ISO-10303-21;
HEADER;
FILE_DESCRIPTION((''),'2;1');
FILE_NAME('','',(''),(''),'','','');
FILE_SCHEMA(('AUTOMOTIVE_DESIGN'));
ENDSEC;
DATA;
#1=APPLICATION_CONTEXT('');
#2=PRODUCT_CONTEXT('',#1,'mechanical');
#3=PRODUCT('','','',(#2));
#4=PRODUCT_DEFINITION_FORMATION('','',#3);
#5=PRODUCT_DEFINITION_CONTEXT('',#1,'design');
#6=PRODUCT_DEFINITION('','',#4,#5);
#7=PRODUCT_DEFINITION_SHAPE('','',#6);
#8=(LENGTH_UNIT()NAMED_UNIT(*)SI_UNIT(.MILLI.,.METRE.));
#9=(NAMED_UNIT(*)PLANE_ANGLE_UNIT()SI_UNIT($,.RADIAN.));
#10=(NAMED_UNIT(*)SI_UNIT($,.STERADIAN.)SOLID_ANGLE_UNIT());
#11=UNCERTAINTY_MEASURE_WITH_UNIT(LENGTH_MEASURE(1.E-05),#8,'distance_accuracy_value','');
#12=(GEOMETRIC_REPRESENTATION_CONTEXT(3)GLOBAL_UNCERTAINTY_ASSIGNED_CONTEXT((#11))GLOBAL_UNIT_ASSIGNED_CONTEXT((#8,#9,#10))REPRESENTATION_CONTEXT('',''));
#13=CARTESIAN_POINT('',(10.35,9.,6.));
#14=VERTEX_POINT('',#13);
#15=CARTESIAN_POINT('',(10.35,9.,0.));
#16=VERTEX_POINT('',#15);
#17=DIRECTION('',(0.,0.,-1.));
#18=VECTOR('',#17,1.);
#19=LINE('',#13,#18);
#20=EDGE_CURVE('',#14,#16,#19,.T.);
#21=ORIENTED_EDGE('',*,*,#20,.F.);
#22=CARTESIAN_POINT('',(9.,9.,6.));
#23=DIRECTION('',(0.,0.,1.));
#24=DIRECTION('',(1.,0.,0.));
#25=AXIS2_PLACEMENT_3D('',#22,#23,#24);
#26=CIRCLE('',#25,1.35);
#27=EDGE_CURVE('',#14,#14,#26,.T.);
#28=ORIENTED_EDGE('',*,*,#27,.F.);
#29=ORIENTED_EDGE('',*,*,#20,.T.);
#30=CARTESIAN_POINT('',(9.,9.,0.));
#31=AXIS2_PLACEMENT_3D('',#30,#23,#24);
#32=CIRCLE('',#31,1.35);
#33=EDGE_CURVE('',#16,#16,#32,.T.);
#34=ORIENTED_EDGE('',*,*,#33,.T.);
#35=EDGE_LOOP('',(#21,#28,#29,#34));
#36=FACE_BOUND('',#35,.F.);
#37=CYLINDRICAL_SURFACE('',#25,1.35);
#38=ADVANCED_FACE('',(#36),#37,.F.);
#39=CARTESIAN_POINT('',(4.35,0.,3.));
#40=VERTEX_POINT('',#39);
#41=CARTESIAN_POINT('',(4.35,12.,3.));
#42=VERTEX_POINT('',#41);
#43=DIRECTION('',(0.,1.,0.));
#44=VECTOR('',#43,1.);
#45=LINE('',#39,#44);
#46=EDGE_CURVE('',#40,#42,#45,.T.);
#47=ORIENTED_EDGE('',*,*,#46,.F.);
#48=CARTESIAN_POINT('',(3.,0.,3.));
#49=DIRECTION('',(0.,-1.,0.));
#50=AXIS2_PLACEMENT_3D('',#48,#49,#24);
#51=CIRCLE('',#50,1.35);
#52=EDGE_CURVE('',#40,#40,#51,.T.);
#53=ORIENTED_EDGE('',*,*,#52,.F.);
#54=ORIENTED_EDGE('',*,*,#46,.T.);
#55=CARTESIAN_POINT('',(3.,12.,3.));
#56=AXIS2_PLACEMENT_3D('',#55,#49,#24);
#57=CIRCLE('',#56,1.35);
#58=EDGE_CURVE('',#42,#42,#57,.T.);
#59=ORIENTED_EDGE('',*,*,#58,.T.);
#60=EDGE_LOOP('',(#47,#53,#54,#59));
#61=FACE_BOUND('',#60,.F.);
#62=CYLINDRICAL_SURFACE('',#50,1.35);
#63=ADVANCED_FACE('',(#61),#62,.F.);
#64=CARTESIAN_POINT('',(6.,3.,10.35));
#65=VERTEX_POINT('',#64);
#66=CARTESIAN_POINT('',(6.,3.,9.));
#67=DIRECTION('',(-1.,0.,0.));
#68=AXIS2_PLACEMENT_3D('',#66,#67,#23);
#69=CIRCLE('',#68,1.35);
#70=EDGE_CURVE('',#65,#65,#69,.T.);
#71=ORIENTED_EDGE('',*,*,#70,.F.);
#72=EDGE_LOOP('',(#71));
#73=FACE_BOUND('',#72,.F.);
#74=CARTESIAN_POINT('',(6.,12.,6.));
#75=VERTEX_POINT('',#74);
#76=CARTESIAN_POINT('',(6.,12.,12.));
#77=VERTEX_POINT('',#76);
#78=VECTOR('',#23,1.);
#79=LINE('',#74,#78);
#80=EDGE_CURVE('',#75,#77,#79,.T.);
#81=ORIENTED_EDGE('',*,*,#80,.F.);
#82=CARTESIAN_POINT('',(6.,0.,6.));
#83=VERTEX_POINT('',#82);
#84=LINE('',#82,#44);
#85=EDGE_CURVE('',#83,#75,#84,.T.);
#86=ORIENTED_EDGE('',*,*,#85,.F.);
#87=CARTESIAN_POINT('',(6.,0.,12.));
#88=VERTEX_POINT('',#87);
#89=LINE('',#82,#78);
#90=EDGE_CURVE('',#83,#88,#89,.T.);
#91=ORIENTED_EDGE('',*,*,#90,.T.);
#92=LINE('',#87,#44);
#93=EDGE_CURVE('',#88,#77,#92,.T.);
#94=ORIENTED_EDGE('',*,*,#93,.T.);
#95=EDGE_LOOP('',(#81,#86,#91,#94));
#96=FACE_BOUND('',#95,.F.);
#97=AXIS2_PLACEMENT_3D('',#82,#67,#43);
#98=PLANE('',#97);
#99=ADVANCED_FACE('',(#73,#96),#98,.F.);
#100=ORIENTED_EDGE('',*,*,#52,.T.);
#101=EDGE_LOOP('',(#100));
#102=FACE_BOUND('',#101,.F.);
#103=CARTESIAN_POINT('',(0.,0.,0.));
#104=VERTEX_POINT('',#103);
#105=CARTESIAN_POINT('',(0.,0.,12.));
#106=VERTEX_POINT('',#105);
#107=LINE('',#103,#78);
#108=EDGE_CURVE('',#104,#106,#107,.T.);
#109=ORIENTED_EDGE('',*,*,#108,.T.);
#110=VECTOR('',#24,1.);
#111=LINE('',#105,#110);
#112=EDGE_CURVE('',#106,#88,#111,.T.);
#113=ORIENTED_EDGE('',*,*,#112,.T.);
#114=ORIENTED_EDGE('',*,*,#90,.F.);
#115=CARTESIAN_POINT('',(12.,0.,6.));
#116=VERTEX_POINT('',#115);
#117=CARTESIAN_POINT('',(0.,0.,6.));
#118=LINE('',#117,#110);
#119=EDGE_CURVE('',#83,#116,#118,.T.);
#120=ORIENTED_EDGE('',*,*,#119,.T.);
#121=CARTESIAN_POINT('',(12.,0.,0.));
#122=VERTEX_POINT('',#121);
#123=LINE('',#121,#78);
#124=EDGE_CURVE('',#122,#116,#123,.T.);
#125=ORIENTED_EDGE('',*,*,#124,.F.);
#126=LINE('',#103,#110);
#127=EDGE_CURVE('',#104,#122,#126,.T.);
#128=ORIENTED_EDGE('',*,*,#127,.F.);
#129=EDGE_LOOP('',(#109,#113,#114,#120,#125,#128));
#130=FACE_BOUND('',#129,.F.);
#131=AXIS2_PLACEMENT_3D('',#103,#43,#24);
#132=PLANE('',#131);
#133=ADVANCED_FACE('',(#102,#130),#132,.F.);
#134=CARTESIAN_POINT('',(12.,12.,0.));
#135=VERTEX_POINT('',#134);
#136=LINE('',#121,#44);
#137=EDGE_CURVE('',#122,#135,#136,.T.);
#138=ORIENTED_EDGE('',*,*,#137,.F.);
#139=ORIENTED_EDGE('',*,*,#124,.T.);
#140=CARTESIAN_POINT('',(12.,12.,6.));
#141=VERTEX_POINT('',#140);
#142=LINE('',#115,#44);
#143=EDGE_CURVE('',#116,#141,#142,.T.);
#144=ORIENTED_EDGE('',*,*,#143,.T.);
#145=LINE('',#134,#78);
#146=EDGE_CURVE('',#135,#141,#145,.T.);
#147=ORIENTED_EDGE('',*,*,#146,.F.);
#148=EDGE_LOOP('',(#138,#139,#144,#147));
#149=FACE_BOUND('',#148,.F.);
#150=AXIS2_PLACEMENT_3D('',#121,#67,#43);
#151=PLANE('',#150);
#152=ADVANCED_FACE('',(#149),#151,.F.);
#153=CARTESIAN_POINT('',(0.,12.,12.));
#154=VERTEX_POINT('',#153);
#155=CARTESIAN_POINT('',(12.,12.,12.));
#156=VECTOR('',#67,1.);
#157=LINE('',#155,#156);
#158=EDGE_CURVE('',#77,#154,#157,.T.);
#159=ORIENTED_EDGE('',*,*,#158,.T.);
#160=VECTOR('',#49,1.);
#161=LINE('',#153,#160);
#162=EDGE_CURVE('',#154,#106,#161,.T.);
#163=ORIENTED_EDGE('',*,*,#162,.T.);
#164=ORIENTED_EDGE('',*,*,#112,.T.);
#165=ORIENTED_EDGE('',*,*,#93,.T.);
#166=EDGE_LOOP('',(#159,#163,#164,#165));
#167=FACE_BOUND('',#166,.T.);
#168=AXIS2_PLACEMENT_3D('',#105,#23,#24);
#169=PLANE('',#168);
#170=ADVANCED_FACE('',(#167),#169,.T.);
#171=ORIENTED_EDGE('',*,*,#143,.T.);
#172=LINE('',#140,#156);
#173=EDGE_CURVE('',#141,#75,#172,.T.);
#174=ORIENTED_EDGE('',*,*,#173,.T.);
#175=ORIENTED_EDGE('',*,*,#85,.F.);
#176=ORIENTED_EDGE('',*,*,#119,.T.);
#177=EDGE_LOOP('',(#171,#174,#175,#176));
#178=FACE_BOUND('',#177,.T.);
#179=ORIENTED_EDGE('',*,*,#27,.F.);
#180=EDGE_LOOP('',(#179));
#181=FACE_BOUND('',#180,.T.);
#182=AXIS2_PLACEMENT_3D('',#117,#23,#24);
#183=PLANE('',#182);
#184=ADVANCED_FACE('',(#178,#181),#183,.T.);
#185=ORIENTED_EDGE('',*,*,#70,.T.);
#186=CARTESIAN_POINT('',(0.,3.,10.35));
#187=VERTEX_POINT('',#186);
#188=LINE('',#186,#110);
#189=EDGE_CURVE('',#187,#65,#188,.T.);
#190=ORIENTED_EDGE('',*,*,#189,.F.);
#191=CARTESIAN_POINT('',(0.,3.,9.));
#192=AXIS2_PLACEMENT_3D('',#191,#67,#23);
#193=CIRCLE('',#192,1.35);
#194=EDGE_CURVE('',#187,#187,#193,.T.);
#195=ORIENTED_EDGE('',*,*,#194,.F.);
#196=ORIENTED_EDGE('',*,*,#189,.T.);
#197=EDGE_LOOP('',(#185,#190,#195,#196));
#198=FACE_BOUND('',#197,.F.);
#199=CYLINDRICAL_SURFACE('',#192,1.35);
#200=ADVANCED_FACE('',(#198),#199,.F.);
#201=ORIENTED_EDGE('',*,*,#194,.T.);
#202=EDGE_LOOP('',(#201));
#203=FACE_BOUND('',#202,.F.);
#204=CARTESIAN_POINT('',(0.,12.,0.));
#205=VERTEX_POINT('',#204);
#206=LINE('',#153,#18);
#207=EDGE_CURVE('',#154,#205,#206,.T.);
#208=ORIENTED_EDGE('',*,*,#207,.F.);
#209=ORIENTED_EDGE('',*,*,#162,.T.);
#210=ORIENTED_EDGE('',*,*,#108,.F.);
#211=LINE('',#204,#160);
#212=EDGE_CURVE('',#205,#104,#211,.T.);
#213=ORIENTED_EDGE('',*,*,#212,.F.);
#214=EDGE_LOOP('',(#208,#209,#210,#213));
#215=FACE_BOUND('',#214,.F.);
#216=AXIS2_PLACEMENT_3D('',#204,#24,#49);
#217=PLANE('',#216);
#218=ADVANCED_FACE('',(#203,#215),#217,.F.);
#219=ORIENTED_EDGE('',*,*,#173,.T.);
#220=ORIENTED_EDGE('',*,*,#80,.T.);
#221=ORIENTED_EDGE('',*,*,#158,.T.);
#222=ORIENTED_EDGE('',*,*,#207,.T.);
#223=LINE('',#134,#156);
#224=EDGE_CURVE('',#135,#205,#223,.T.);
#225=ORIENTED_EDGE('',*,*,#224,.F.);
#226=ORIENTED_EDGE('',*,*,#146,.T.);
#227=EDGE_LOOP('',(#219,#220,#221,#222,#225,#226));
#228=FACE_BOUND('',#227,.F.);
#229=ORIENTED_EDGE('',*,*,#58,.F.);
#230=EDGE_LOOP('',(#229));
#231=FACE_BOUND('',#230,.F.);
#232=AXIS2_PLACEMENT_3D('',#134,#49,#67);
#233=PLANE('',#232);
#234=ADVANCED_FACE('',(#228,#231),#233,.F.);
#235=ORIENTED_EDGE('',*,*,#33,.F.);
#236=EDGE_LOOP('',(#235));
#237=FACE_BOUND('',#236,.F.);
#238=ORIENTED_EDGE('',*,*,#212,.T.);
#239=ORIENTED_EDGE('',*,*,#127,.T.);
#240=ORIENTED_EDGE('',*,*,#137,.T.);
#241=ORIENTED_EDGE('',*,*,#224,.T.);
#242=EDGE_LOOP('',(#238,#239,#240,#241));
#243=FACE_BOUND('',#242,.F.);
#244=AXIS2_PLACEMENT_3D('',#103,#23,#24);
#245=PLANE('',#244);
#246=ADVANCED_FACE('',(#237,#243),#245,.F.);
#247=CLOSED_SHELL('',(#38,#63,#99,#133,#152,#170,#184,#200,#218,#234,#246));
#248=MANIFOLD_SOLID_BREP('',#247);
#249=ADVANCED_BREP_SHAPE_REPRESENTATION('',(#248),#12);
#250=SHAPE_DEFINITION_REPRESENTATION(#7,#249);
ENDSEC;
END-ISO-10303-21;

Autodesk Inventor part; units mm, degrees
ref_plane "YZ Plane" through (0, 0, 0) normal (1, 0, 0) x (0, 1, 0)
ref_plane "XZ Plane" through (0, 0, 0) normal (0, 1, 0) x (-1, 0, 0)
ref_plane "XY Plane" through (0, 0, 0) normal (0, 0, 1) x (1, 0, 0)
sketch "스케치1" plane through (0, 0, 0) normal (0, 0, 1) x (1, 0, 0)
  line L0 (0, 0) -> (12, 0)
  line L1 (12, 0) -> (12, 12)
  line L2 (12, 12) -> (0, 12)
  line L3 (0, 12) -> (0, 0)
  dimension "d0" = 12
  dimension "d1" = 12
extrude "돌출1" add sketch "스케치1" along normal blind 6
sketch "스케치2" plane through (0, 0, 6) normal (0, 0, 1) x (1, 0, 0)
  line L0 (12, 12) -> (0, 12) projected
  line L1 (0, 0) -> (6, 0)
  line L2 (6, 0) -> (6, 12)
  line L3 (6, 12) -> (0, 12)
  line L4 (0, 12) -> (0, 0)
extrude "돌출2" add sketch "스케치2" along normal blind 6
sketch "스케치3" plane through (0, 0, 0) normal (0, -1, 0) x (1, 0, 0)
  line L0 (12, 6) -> (6, 6) projected
  line L1 (6, 6) -> (0, 6)
  line L2 (0, 6) -> (0, 0)
  line L3 (0, 0) -> (6, 0)
  line L4 (6, 0) -> (6, 6)
  circle A0 centre (3, 3) radius 1.35
  dimension "d6" = 2.7
extrude "돌출3" cut sketch "스케치3" against normal up to next contours A0
sketch "스케치4" plane through (0, 0, 0) normal (-1, 0, 0) x (0, 0, 1)
  line L0 (0, 0) -> (12, 0) projected
  line L1 (12, 0) -> (6, 0)
  line L2 (6, 0) -> (6, 6)
  line L3 (6, 6) -> (12, 6)
  line L4 (12, 6) -> (12, 0)
  circle A0 centre (9, 3) radius 1.35
  dimension "d9" = 2.7
extrude "돌출4" cut sketch "스케치4" against normal up to next contours A0
sketch "스케치5" plane through (0, 0, 6) normal (0, 0, 1) x (1, 0, 0)
  line L0 (12, 0) -> (12, 12) projected
  line L1 (12, 12) -> (6, 12)
  line L2 (6, 12) -> (6, 6)
  line L3 (6, 6) -> (12, 6)
  line L4 (12, 6) -> (12, 12)
  circle A0 centre (9, 9) radius 1.35
  point P0 (0, 0)
  dimension "d12" = 2.7
extrude "돌출5" cut sketch "스케치5" against normal up to next contours A0
properties part number "부품81"
